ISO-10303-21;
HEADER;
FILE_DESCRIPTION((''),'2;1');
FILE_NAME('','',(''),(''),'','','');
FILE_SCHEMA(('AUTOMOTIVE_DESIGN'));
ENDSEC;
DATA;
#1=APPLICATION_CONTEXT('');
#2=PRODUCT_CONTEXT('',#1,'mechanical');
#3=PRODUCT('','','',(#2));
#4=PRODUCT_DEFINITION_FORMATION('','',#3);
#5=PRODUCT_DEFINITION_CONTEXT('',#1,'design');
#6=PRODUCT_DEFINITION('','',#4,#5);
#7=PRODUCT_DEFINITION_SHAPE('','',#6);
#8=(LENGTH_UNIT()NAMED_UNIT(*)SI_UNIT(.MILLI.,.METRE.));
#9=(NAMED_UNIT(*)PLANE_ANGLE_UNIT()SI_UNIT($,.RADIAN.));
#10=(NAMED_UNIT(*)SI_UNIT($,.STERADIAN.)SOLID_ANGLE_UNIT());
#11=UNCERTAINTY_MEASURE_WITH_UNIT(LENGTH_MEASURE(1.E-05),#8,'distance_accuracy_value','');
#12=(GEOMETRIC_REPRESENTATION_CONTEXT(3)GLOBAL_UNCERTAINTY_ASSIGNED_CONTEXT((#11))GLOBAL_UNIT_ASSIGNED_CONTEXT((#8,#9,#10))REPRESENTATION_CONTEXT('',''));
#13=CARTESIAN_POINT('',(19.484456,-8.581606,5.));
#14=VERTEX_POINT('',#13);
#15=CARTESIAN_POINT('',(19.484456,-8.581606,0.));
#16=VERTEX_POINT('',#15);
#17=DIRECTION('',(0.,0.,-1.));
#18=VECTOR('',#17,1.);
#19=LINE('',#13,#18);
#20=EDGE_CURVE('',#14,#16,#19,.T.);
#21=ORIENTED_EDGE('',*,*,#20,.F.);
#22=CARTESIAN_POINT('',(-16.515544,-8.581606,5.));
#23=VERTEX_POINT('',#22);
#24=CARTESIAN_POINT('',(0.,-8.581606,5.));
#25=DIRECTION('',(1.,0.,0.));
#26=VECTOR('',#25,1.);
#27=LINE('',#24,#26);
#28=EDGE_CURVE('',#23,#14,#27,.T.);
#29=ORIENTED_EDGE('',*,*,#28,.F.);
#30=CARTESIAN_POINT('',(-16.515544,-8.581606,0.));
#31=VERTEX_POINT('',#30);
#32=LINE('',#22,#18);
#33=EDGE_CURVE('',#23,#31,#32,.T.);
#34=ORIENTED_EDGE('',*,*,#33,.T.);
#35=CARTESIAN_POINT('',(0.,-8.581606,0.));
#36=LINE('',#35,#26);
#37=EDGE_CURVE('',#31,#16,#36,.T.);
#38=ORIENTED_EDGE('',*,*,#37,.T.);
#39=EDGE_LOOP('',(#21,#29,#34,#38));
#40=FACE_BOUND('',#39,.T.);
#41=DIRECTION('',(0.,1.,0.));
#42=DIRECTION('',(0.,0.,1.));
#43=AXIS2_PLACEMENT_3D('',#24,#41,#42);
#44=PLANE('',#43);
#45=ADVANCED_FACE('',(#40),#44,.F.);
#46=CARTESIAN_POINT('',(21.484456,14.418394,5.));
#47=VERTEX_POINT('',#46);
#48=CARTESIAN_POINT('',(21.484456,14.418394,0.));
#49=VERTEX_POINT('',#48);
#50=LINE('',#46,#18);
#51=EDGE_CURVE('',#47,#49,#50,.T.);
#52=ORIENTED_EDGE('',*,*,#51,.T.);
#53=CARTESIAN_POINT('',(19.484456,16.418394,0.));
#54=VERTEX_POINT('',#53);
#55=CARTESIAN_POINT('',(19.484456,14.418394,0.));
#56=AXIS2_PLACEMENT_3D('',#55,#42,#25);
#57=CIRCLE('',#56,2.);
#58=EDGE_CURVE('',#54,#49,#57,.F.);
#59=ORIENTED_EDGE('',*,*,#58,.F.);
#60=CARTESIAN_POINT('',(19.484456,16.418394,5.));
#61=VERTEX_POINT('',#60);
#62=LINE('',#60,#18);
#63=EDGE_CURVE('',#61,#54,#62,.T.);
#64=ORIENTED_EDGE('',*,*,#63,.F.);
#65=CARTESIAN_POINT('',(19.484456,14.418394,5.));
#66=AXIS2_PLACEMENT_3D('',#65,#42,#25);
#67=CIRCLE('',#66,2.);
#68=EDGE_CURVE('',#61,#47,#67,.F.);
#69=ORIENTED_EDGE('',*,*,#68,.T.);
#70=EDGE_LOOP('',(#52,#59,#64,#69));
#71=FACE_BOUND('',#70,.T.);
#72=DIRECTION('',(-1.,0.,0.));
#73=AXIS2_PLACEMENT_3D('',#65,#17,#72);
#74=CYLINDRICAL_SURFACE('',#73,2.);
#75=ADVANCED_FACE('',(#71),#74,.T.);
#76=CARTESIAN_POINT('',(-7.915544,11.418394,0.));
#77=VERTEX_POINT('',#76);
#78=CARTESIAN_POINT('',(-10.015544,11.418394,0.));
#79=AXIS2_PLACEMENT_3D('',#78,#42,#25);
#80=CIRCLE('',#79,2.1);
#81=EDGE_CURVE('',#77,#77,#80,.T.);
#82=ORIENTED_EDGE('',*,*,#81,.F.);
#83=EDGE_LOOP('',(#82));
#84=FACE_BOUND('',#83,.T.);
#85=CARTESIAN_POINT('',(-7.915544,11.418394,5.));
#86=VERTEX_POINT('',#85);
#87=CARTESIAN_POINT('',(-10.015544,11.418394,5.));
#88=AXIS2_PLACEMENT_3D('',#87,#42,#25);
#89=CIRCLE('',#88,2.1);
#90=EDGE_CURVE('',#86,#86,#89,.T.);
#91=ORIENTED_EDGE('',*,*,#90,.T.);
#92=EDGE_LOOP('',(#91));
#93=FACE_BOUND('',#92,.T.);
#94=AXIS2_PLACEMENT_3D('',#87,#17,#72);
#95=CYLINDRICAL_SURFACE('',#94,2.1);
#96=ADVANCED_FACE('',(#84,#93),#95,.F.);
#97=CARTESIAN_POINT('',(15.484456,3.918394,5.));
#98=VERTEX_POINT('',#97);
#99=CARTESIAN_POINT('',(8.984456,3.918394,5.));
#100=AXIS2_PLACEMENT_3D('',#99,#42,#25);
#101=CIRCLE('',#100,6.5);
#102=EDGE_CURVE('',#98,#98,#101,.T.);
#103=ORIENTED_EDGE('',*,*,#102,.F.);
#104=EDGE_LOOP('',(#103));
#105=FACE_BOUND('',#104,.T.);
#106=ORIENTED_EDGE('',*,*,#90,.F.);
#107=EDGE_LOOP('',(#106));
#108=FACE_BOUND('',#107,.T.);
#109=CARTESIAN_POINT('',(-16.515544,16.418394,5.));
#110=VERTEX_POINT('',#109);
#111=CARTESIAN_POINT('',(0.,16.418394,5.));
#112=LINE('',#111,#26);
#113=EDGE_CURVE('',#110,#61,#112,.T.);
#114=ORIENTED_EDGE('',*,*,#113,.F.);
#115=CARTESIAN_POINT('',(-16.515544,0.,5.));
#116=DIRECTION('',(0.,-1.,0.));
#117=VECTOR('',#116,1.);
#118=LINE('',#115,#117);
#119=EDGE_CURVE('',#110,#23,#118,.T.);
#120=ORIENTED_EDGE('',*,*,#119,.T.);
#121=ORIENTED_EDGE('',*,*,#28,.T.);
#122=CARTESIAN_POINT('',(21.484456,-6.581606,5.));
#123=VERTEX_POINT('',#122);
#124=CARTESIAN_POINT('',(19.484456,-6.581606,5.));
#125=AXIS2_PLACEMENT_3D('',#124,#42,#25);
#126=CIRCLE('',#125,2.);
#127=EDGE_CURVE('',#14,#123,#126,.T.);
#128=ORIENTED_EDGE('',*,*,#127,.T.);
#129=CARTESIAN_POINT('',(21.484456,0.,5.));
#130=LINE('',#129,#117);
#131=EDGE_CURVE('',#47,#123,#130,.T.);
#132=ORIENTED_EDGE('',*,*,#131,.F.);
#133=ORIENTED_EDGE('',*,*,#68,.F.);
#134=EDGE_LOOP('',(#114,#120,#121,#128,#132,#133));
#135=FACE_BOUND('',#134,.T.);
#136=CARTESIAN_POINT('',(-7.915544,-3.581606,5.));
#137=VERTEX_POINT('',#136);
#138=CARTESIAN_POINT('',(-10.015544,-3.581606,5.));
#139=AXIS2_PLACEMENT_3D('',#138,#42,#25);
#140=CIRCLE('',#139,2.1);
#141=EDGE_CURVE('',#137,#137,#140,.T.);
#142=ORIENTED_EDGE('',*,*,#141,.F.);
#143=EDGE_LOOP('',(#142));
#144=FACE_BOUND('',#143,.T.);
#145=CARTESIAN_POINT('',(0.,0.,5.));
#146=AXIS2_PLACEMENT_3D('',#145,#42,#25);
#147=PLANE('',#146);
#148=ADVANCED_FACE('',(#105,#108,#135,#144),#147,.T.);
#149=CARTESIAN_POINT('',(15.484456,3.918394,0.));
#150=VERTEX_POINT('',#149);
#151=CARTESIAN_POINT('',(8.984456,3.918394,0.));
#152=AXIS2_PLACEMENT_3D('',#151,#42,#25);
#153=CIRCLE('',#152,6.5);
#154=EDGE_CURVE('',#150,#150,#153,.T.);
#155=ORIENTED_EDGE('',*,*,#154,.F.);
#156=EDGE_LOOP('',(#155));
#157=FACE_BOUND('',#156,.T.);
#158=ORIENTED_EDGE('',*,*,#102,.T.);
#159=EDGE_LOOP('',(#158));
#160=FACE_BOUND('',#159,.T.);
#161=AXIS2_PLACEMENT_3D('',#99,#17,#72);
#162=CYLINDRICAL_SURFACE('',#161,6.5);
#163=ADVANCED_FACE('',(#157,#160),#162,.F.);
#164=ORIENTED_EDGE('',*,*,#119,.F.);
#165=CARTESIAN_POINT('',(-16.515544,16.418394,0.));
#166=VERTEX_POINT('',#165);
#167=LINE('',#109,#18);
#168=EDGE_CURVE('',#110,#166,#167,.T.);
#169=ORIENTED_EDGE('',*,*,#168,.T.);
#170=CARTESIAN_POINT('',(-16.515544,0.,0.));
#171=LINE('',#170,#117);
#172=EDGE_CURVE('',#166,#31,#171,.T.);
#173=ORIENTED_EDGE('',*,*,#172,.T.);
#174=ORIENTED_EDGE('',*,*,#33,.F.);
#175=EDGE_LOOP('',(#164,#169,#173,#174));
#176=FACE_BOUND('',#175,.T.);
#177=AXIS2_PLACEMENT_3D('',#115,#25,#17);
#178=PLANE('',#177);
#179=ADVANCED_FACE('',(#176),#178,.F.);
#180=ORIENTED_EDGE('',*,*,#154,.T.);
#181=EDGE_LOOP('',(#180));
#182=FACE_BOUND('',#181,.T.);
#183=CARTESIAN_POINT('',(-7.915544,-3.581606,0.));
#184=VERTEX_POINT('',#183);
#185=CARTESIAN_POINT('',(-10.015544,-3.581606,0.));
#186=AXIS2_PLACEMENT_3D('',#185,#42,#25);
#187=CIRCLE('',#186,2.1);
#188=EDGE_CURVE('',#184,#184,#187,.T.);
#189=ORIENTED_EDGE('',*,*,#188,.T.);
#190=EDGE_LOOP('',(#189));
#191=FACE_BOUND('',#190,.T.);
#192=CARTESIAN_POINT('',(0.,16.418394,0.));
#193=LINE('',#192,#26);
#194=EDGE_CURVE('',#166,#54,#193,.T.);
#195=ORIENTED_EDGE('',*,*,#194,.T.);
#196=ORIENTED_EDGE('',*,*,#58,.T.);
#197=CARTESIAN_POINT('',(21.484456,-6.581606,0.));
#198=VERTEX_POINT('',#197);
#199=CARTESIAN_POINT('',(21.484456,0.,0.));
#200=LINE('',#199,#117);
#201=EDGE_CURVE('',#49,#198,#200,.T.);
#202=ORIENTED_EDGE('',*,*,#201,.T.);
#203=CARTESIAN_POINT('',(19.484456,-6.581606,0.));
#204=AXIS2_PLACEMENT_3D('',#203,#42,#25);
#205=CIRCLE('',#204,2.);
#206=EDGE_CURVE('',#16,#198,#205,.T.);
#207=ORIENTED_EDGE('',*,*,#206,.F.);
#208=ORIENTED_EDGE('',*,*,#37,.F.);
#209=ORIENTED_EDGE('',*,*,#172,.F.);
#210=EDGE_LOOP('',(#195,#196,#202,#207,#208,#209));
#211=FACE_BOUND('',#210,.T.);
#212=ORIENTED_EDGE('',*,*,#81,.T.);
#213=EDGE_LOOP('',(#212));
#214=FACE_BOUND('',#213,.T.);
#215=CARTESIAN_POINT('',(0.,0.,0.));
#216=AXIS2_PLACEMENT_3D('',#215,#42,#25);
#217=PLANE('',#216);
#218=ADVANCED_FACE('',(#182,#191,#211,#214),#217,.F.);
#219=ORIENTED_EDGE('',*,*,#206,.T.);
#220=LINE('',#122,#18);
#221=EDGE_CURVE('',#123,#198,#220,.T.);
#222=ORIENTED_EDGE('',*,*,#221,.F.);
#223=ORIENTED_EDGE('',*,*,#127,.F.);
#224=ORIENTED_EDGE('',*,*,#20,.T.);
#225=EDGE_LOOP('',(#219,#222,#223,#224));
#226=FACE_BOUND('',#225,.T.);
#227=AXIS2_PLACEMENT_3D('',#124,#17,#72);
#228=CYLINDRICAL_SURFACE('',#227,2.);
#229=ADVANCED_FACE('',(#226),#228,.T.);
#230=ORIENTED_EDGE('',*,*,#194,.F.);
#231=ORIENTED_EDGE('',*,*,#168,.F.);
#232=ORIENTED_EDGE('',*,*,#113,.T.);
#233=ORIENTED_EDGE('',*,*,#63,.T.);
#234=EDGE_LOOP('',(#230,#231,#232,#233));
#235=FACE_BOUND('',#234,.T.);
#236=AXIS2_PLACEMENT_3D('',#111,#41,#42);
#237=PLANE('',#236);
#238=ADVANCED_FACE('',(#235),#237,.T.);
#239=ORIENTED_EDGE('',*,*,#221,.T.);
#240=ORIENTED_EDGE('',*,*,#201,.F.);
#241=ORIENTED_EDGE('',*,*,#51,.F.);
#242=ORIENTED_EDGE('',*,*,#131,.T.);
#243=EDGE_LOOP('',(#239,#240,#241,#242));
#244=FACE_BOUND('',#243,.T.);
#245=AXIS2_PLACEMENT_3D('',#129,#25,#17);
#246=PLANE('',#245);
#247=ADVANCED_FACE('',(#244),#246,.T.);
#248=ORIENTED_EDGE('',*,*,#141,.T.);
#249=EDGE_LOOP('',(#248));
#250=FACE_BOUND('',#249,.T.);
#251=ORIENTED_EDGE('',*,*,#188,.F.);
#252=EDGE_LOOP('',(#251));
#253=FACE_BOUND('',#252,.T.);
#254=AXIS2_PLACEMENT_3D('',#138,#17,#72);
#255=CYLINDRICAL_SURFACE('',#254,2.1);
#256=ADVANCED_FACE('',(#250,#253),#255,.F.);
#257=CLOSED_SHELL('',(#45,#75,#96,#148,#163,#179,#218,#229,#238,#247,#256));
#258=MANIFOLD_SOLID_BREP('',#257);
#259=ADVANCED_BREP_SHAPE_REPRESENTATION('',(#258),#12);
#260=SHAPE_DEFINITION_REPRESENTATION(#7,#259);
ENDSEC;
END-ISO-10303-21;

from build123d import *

# Parameters (mm, degrees)
SKETCH_1_R      = 2.1
SKETCH_1_R_2    = 6.5
EXTRUDE_1_DEPTH = 5


with BuildPart() as part:
    # 草图1 → 凸台-拉伸1 (new body)
    with BuildSketch(Plane.XY):
        with BuildLine():
            Line((-16.515544041, 16.418393782), (19.484455959, 16.418393782))
            ThreePointArc((19.484455959, 16.418393782), (20.898669521, 15.832607345), (21.484455959, 14.418393782))
            Line((21.484455959, 14.418393782), (21.484455959, -6.581606218))
            ThreePointArc((21.484455959, -6.581606218), (20.898669521, -7.99581978), (19.484455959, -8.581606218))
            Line((19.484455959, -8.581606218), (-16.515544041, -8.581606218))
            Line((-16.515544041, -8.581606218), (-16.515544041, 16.418393782))
        make_face()
        with Locations((-10.015544041, -3.581606218)):
            Circle(SKETCH_1_R, mode=Mode.SUBTRACT)
        with Locations((-10.015544041, 11.418393782)):
            Circle(SKETCH_1_R, mode=Mode.SUBTRACT)
        with Locations((8.984455959, 3.918393782)):
            Circle(SKETCH_1_R_2, mode=Mode.SUBTRACT)
    extrude(amount=EXTRUDE_1_DEPTH)


solid = part.part
